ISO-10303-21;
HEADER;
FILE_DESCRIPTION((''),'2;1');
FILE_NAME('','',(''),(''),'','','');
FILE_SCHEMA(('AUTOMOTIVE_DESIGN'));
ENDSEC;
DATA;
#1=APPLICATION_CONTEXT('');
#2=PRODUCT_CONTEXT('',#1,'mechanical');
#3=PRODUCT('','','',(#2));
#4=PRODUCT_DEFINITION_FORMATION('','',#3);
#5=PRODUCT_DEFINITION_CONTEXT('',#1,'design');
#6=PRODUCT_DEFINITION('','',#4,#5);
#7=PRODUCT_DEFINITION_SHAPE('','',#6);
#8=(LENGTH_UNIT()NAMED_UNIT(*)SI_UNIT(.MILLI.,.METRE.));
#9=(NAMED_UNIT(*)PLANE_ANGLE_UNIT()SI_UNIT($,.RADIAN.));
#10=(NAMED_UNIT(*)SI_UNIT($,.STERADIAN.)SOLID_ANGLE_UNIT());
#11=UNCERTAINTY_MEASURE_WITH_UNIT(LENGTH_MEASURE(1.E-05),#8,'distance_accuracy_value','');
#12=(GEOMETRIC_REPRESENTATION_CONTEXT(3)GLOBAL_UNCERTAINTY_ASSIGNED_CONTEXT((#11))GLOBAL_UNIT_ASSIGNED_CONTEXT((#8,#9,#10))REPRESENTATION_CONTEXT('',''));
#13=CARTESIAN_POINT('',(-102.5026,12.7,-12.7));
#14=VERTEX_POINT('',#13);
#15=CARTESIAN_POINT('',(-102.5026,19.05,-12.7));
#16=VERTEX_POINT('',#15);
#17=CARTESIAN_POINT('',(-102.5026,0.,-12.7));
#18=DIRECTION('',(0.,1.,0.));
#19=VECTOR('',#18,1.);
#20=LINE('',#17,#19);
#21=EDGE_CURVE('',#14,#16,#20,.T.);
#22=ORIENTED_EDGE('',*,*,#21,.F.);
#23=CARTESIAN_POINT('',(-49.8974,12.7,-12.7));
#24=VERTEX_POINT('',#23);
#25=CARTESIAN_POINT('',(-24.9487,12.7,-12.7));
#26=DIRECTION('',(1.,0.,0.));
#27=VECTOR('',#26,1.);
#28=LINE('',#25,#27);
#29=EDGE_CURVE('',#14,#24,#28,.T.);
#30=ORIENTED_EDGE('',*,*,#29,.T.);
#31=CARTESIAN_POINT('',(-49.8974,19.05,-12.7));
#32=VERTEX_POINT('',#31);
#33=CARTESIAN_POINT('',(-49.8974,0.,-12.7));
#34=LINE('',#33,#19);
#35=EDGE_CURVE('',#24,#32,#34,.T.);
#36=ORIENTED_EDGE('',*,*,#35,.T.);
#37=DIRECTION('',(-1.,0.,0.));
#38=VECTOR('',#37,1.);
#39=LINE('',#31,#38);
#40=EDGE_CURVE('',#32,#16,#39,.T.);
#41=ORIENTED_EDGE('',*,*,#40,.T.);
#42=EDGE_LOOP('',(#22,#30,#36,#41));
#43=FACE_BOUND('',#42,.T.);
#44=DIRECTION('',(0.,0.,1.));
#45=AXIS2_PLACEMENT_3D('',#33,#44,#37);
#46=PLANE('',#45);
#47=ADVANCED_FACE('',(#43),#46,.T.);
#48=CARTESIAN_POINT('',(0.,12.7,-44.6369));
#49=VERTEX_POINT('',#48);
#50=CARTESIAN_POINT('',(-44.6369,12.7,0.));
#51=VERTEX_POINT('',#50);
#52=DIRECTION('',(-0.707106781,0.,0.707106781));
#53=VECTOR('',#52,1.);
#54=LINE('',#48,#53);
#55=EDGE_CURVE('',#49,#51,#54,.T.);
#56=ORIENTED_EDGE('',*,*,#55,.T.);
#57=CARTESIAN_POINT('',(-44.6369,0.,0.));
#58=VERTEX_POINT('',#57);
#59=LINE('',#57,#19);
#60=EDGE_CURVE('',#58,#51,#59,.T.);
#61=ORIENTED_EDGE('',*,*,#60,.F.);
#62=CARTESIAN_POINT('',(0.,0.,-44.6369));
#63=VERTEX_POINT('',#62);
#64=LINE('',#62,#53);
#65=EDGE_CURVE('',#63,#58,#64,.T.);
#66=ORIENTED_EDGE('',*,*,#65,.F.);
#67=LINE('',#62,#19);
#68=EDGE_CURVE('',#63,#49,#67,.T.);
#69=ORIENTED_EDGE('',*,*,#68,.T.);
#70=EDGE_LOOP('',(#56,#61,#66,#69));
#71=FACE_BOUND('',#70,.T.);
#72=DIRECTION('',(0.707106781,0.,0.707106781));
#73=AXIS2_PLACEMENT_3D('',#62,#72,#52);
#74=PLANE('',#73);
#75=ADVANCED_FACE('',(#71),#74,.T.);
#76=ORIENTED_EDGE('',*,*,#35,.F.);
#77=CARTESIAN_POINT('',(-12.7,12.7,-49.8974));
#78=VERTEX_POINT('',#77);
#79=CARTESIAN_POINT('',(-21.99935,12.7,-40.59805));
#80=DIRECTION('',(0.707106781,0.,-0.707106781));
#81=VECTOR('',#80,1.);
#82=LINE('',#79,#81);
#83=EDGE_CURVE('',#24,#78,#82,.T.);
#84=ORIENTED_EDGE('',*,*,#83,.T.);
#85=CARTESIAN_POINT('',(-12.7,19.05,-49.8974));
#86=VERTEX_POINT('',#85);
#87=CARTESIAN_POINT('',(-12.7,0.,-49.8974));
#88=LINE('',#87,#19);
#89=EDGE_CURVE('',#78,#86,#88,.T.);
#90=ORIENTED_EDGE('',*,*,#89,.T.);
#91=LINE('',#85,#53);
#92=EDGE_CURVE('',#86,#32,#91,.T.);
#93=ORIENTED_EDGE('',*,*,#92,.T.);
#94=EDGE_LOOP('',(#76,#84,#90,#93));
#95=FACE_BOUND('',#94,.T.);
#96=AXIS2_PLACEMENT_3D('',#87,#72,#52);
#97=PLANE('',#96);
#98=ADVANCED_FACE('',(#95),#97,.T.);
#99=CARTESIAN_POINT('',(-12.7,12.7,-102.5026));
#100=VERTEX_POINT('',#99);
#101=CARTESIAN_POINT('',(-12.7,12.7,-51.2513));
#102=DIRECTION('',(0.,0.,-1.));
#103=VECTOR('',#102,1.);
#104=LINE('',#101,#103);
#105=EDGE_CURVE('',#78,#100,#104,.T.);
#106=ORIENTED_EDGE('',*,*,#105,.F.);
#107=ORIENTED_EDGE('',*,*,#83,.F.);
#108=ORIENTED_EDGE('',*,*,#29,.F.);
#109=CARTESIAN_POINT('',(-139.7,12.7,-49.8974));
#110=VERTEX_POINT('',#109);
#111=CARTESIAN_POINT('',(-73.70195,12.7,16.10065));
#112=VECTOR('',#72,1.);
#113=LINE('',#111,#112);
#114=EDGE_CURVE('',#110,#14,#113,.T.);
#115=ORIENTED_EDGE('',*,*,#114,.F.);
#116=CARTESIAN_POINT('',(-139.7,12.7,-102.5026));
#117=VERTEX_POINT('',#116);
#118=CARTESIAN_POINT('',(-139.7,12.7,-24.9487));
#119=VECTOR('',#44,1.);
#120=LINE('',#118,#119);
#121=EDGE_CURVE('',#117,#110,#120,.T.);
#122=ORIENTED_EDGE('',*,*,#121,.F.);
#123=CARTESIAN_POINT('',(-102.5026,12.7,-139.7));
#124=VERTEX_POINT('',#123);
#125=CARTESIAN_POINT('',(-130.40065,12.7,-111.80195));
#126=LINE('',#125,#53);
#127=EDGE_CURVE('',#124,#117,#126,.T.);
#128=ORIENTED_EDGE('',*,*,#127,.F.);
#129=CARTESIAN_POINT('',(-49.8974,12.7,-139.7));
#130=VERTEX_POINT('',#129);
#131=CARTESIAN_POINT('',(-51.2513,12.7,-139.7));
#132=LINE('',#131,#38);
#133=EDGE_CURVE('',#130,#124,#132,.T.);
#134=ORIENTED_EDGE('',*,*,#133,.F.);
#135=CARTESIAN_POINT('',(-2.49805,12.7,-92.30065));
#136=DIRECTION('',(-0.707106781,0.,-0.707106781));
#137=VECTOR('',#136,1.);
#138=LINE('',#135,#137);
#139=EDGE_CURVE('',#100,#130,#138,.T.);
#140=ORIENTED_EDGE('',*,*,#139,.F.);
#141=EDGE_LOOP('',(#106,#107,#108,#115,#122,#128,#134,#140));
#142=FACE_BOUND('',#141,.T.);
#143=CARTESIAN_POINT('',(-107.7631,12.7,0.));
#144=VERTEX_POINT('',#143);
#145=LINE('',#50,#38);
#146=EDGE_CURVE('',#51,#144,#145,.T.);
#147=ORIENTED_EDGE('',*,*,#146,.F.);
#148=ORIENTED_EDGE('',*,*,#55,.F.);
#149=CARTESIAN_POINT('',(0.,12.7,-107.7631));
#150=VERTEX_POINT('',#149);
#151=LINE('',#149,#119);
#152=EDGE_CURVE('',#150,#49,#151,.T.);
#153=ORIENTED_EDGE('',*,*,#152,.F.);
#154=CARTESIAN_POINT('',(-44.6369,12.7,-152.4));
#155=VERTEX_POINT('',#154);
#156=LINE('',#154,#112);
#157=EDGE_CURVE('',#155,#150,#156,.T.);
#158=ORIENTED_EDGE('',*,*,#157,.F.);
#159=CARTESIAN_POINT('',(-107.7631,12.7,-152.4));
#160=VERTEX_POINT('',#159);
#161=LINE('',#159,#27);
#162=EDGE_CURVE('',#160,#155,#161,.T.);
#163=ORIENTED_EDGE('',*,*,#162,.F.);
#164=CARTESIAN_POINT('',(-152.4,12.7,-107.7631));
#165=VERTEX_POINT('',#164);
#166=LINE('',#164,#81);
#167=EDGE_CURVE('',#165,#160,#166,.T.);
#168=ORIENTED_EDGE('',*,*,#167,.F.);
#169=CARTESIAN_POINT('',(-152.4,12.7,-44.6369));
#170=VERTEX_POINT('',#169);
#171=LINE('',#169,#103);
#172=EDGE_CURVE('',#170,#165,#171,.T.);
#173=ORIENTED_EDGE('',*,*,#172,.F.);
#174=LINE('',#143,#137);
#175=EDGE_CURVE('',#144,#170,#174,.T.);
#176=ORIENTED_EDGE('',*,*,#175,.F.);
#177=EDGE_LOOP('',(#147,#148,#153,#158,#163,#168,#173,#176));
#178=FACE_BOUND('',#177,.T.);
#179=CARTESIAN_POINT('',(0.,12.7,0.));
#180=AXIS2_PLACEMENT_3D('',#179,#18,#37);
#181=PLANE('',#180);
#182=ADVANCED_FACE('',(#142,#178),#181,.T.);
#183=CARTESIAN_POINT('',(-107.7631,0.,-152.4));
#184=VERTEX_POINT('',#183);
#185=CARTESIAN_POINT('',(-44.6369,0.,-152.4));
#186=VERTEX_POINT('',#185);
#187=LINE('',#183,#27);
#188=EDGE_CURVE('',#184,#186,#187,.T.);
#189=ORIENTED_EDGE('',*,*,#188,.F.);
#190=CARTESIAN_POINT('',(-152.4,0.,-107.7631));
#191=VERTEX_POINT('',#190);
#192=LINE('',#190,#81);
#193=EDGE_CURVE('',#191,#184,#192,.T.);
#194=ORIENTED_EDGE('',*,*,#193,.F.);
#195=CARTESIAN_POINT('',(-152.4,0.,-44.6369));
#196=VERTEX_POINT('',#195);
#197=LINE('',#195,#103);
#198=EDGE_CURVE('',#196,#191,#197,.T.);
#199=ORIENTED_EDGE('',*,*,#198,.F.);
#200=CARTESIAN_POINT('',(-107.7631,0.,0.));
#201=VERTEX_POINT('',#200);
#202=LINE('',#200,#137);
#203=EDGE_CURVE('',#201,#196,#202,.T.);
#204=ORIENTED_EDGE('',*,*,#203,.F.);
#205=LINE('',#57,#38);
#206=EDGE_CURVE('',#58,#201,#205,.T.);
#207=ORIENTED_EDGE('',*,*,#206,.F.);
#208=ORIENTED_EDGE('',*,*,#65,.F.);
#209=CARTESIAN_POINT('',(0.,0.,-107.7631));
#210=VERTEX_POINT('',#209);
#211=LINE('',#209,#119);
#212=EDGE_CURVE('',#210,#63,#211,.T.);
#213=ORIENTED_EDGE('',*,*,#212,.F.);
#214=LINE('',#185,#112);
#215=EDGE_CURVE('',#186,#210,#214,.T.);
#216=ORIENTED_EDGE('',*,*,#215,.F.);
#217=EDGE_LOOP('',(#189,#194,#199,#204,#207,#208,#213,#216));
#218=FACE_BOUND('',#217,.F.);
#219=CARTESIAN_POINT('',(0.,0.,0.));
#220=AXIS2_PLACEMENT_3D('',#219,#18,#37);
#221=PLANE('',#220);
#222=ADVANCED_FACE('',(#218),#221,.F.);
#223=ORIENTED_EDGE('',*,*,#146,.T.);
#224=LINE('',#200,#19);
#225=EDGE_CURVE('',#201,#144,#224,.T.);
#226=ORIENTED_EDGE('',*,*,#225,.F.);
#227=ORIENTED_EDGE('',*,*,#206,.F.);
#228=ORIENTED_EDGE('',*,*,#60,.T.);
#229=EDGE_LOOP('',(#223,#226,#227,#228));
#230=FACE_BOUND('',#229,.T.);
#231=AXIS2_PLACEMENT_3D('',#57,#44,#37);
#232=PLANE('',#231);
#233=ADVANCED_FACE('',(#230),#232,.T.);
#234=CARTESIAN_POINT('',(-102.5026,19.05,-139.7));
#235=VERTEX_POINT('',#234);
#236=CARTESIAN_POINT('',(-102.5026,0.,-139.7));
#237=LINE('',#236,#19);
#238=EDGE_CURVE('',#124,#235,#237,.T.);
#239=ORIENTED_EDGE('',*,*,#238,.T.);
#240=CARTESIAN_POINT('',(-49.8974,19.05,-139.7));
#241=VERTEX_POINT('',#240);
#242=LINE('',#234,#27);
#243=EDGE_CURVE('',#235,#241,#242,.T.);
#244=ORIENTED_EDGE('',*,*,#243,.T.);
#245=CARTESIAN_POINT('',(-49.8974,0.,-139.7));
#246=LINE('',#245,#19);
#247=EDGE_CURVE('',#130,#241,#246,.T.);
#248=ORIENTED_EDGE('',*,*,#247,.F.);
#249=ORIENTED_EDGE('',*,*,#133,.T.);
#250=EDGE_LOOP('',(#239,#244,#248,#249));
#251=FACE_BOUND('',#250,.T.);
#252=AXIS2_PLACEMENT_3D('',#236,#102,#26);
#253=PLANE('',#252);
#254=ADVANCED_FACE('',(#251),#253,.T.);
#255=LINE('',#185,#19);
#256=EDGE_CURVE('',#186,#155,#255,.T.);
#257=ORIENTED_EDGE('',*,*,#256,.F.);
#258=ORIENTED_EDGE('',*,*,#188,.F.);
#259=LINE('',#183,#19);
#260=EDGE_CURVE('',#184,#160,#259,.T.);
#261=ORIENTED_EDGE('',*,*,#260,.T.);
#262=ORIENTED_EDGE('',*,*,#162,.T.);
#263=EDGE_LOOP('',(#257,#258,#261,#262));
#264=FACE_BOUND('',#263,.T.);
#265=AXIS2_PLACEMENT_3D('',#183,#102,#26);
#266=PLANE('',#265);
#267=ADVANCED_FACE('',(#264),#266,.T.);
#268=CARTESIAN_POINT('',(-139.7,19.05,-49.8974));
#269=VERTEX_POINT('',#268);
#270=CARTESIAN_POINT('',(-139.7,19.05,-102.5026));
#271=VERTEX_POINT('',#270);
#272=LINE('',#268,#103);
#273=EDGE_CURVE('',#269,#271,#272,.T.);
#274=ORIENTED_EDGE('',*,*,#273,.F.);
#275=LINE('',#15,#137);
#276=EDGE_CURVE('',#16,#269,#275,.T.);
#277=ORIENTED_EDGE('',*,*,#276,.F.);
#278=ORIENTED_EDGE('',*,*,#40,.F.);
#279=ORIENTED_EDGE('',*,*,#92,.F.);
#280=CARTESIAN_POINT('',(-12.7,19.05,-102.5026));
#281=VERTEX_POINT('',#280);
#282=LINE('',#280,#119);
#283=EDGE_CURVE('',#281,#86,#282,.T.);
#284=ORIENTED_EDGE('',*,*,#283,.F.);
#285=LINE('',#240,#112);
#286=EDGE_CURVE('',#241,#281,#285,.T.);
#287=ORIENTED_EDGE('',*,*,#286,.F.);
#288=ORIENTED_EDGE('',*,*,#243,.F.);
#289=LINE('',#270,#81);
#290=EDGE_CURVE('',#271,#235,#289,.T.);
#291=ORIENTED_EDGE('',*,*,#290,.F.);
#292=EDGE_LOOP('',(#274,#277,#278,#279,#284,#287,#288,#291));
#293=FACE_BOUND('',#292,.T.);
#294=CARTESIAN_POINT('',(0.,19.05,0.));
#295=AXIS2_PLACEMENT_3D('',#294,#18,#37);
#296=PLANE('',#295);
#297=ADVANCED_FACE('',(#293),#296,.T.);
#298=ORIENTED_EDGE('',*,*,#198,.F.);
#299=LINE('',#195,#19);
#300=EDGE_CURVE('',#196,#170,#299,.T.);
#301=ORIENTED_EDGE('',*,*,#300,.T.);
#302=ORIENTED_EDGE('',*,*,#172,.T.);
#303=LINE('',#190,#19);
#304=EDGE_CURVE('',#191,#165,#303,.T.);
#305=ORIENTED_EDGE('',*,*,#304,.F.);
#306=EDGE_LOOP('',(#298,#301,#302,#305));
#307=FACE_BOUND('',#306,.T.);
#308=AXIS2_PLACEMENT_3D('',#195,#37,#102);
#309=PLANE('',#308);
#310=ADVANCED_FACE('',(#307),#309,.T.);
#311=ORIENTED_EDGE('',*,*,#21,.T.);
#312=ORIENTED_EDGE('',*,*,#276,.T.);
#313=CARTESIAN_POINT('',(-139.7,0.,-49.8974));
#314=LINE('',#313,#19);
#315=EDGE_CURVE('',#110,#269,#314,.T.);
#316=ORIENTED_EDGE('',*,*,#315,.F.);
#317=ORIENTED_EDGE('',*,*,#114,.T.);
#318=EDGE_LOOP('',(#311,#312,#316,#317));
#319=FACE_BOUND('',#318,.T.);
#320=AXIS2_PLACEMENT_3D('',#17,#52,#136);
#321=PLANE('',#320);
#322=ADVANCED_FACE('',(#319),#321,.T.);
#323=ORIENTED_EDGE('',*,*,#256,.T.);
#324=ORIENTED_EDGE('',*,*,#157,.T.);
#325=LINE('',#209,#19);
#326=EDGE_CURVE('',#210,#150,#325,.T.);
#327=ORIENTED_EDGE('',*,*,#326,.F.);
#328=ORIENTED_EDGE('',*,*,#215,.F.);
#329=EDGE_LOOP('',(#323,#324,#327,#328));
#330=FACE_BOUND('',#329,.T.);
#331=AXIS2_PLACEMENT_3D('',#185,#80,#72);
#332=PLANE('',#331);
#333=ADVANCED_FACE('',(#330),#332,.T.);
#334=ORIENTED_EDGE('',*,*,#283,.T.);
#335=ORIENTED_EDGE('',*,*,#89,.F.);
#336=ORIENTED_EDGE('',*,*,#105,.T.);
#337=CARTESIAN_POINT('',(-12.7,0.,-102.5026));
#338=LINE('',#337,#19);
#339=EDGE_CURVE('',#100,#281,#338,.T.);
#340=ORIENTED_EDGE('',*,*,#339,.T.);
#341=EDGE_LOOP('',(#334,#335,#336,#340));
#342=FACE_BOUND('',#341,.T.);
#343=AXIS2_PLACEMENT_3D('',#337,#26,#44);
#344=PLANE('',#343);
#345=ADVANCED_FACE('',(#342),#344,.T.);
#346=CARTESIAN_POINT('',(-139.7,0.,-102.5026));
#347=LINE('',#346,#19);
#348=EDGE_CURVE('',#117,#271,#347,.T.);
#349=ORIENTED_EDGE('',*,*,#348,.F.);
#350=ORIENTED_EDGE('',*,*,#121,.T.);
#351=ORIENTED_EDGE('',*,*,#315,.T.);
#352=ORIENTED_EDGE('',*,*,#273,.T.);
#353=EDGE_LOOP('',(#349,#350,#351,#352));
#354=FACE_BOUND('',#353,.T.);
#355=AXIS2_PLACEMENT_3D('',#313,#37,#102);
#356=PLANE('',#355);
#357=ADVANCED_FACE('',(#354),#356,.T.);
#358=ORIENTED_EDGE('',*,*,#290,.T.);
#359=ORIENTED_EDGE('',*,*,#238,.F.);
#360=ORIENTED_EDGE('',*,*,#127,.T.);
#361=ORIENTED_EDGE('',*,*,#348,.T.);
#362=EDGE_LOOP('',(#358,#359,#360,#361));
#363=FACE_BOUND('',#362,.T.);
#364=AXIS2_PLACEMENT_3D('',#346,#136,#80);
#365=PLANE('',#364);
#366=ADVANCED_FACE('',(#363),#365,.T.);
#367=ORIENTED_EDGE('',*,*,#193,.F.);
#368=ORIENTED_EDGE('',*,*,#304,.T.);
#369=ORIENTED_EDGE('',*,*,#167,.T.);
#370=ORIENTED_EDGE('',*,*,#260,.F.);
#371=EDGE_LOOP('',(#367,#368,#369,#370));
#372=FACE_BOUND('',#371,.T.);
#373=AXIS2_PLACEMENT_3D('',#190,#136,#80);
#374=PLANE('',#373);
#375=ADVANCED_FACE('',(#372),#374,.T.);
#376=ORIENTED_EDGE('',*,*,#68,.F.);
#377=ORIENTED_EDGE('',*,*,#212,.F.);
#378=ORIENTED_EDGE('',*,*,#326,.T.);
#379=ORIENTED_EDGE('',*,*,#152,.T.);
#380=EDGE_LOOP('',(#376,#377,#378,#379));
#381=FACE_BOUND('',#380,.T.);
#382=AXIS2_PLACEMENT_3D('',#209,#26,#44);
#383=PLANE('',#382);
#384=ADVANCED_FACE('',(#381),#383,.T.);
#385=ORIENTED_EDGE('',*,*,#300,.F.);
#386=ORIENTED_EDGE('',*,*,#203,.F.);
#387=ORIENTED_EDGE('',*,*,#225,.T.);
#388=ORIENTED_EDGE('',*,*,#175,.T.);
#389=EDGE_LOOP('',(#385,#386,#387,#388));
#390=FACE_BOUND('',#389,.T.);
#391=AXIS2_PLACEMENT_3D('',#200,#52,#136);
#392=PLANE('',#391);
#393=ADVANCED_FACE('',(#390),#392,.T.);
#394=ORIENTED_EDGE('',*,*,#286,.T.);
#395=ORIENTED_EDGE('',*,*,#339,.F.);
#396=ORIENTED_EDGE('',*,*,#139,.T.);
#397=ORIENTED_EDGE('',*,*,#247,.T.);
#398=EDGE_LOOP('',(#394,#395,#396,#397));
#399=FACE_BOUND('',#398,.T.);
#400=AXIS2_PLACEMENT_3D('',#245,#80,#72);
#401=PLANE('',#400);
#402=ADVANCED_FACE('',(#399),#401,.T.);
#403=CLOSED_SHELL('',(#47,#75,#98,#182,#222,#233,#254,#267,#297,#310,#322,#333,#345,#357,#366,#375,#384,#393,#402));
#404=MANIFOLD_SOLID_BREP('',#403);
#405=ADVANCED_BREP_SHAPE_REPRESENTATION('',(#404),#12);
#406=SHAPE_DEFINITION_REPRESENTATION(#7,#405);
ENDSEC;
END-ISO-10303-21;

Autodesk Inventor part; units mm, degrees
ref_plane "YZ Plane" through (0, 0, 0) normal (1, 0, 0) x (0, 1, 0)
ref_plane "XZ Plane" through (0, 0, 0) normal (0, 1, 0) x (-1, 0, 0)
ref_plane "XY Plane" through (0, 0, 0) normal (0, 0, 1) x (1, 0, 0)
sketch "Sketch1" plane through (0, 0, 0) normal (0, 1, 0) x (-1, 0, 0)
  line L0 (0, 0) -> (152.4, 0) construction
  line L1 (152.4, 0) -> (152.4, -152.4) construction
  line L2 (152.4, -152.4) -> (0, -152.4) construction
  line L3 (0, -152.4) -> (0, 0) construction
  line L4 (44.6369, -152.4) -> (0, -107.7631)
  line L5 (0, -107.7631) -> (0, -44.6369)
  line L6 (0, -44.6369) -> (44.6369, 0)
  line L7 (44.6369, 0) -> (107.7631, 0)
  line L8 (107.7631, 0) -> (152.4, -44.6369)
  line L9 (152.4, -44.6369) -> (152.4, -107.7631)
  line L10 (152.4, -107.7631) -> (107.7631, -152.4)
  line L11 (107.7631, -152.4) -> (44.6369, -152.4)
  line L12 (102.5026, -12.7) -> (139.7, -49.8974)
  line L13 (139.7, -49.8974) -> (139.7, -102.5026)
  line L14 (139.7, -102.5026) -> (102.5026, -139.7)
  line L15 (102.5026, -139.7) -> (49.8974, -139.7)
  line L16 (49.8974, -139.7) -> (12.7, -102.5026)
  line L17 (12.7, -102.5026) -> (12.7, -49.8974)
  line L18 (12.7, -49.8974) -> (49.8974, -12.7)
  line L19 (49.8974, -12.7) -> (102.5026, -12.7)
  point P0 (76.2, -76.2)
  point P1 (76.2, -76.2)
  point P2 (76.2, -76.2)
  dimension "d0" = 152.4
  dimension "d1" = 152.4
  dimension "d2" = 12.7
  dimension "d3" = 63.1262
  dimension "d4" = 52.6051
sketch "Sketch2" plane through (0, 0, 0) normal (0, 1, 0) x (-1, 0, 0)
  line L0 (0, 0) -> (152.4, 0) construction
  line L1 (152.4, 0) -> (152.4, -152.4) construction
  line L2 (152.4, -152.4) -> (0, -152.4) construction
  line L3 (0, -152.4) -> (0, 0) construction
  line L4 (44.6369, -152.4) -> (0, -107.7631)
  line L5 (0, -107.7631) -> (0, -44.6369)
  line L6 (0, -44.6369) -> (44.6369, 0)
  line L7 (44.6369, 0) -> (107.7631, 0)
  line L8 (107.7631, 0) -> (152.4, -44.6369)
  line L9 (152.4, -44.6369) -> (152.4, -107.7631)
  line L10 (152.4, -107.7631) -> (107.7631, -152.4)
  line L11 (107.7631, -152.4) -> (44.6369, -152.4)
  line L12 (102.5026, -12.7) -> (139.7, -49.8974)
  line L13 (139.7, -49.8974) -> (139.7, -102.5026)
  line L14 (139.7, -102.5026) -> (102.5026, -139.7)
  line L15 (102.5026, -139.7) -> (49.8974, -139.7)
  line L16 (49.8974, -139.7) -> (12.7, -102.5026)
  line L17 (12.7, -102.5026) -> (12.7, -49.8974)
  line L18 (12.7, -49.8974) -> (49.8974, -12.7)
  line L19 (49.8974, -12.7) -> (102.5026, -12.7)
  point P0 (76.2, -76.2)
  point P1 (76.2, -76.2)
  point P2 (76.2, -76.2)
  dimension "d5" = 152.4
  dimension "d6" = 152.4
  dimension "d7" = 12.7
  dimension "d8" = 63.1262
  dimension "d9" = 52.6051
extrude "Extrusion1" add sketch "Sketch1" along normal blind 12.7 contours L4 L5 L6 L7 L8 L9 L10 L11 | L12 L13 L14 L15 L16 L17 L18 L19
extrude "Extrusion2" add sketch "Sketch2" along normal blind 19.05 contours L12 L13 L14 L15 L16 L17 L18 L19
properties part number "SatelliteBottomFace"
